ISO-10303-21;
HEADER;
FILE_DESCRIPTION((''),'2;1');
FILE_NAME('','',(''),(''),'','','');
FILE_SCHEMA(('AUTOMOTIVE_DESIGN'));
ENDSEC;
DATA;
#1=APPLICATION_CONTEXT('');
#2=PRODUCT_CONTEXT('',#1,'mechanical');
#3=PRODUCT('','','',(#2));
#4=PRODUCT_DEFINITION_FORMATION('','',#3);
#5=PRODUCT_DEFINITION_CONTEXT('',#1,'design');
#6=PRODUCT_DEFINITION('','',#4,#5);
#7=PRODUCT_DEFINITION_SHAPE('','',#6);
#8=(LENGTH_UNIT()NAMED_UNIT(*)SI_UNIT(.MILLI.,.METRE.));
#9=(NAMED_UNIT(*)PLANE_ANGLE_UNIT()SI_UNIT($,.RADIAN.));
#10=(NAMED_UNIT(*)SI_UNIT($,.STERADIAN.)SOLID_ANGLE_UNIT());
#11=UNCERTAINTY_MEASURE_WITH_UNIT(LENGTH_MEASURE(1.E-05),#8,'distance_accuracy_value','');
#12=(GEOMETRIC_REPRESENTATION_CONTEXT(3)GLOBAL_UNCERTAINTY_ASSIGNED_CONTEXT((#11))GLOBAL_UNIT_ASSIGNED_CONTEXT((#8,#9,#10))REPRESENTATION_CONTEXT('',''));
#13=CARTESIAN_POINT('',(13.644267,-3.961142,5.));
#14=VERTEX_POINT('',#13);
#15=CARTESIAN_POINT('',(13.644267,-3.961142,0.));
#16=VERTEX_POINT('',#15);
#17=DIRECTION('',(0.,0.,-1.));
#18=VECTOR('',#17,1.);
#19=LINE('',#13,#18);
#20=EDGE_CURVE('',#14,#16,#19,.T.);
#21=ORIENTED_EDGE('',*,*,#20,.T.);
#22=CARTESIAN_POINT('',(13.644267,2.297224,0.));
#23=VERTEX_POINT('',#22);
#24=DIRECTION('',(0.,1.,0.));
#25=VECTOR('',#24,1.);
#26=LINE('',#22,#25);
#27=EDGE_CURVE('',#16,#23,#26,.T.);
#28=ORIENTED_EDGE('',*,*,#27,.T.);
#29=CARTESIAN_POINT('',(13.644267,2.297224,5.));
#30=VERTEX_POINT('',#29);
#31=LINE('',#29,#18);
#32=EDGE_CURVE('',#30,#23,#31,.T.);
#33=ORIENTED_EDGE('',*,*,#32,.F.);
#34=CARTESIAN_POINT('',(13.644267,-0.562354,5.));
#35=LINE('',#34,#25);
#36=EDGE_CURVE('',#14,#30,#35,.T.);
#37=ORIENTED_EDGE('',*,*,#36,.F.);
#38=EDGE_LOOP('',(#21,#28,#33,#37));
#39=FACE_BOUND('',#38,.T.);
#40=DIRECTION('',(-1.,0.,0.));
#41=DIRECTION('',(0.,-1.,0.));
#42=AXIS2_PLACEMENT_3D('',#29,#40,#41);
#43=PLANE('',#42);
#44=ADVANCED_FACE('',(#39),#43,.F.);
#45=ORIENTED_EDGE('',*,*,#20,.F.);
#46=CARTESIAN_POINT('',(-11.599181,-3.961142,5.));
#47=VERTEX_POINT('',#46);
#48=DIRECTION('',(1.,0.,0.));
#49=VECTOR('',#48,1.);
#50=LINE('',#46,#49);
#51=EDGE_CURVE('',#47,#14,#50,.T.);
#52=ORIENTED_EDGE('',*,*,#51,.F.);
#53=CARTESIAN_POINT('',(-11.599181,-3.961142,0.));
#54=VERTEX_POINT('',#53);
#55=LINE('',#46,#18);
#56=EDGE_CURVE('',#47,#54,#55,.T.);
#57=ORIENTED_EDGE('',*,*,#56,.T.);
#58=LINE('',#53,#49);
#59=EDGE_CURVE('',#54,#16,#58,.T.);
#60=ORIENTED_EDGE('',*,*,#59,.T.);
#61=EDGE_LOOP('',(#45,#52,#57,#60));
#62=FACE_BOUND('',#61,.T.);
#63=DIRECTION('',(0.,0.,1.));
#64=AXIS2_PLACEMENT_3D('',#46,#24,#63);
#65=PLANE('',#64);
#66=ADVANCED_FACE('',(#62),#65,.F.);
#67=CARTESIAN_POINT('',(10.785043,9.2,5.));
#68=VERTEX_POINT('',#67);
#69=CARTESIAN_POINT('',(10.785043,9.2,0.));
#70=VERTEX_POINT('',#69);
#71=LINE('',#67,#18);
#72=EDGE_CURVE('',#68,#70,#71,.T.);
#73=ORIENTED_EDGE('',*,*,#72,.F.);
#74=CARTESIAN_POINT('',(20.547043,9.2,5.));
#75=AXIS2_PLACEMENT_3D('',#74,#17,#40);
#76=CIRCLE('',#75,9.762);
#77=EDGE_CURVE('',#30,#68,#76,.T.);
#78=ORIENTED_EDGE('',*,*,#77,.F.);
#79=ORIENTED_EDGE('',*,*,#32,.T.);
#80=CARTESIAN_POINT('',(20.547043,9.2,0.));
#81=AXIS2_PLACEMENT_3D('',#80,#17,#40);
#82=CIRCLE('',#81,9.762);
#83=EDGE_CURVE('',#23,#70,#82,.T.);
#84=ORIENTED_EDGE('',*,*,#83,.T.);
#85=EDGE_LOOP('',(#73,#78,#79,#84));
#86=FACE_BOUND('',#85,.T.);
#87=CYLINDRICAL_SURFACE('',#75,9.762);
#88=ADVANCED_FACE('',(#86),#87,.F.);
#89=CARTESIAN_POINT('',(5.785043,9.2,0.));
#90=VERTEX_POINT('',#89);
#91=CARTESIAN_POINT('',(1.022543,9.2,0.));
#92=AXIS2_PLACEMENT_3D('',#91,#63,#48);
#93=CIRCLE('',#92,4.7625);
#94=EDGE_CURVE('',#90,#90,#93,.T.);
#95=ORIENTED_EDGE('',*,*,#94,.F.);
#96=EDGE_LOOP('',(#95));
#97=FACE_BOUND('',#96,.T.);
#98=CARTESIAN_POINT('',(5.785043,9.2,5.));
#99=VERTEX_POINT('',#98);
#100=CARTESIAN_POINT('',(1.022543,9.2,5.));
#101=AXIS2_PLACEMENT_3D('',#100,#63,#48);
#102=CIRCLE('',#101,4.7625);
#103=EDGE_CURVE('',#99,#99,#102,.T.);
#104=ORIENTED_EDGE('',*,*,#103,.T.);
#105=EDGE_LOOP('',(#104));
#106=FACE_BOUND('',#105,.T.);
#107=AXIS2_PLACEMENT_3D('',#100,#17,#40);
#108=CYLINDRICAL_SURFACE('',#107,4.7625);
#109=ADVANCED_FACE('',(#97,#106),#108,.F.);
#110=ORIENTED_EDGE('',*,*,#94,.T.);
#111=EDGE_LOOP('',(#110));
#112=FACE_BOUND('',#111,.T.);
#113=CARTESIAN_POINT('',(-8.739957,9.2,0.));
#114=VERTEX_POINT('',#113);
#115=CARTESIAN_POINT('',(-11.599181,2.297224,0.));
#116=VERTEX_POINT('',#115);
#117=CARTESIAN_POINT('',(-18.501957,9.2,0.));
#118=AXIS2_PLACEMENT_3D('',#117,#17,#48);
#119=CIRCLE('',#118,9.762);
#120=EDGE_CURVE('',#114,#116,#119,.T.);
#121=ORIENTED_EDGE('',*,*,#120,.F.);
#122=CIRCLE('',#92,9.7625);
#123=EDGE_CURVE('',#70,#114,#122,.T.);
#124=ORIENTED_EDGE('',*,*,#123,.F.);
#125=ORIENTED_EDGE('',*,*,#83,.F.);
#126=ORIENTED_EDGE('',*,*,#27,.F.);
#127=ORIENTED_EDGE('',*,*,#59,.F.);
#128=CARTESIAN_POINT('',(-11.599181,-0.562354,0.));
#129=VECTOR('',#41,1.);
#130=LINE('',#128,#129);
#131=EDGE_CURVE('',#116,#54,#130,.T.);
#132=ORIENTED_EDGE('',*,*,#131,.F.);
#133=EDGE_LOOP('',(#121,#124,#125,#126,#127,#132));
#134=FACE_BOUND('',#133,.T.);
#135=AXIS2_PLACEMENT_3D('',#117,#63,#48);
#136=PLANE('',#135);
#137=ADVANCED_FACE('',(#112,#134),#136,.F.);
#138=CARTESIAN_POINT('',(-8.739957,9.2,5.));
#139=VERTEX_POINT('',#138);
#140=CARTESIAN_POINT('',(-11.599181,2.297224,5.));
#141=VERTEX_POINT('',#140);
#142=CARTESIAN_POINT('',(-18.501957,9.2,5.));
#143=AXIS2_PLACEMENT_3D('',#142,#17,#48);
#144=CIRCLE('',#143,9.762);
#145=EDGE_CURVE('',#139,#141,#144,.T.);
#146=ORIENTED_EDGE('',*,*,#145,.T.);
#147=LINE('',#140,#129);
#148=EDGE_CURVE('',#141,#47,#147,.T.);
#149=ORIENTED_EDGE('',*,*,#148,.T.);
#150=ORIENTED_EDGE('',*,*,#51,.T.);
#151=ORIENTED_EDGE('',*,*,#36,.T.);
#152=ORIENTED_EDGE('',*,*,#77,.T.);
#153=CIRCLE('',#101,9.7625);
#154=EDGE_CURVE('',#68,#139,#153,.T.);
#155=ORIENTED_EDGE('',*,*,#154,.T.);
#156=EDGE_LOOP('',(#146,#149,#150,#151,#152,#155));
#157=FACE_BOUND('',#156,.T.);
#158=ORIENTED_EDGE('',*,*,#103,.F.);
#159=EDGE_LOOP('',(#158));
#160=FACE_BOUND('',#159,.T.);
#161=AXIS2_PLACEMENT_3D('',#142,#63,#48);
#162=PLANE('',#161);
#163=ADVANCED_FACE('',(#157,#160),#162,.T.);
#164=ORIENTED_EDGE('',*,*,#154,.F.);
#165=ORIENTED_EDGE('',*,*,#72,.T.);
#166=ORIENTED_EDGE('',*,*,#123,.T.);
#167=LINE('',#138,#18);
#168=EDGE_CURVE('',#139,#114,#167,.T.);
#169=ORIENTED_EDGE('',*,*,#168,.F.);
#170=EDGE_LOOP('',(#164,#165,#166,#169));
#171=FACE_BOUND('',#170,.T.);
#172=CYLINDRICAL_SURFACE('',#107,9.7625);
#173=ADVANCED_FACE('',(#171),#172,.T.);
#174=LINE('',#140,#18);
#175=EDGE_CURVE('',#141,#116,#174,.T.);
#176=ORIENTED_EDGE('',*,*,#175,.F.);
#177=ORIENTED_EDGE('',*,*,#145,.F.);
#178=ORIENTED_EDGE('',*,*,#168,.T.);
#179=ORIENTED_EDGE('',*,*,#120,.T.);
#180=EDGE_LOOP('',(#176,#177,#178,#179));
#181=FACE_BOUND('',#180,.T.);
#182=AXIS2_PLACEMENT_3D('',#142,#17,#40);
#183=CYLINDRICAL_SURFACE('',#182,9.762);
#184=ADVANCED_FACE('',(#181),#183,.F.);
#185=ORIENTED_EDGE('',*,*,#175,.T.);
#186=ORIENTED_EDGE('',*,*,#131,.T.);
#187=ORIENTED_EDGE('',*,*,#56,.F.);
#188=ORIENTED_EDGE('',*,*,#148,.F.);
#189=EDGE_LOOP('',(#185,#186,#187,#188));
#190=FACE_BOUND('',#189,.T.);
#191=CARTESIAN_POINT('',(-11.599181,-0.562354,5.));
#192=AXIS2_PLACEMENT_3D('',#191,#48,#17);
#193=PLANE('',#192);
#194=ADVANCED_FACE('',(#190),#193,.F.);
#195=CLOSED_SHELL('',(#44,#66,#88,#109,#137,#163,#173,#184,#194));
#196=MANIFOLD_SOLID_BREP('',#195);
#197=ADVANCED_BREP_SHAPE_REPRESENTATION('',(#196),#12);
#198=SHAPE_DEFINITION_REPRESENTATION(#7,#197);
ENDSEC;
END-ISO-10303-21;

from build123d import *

# Parameters (mm, degrees)
SKETCH1_R           = 4.7625
BOSS_EXTRUDE1_DEPTH = 5


with BuildPart() as part:
    # Sketch1 → Boss-Extrude1 (new body)
    with BuildSketch(Plane.XY):
        with BuildLine():
            Line((-11.599180508, 2.297223602), (-11.599180508, -0.562353553))
            Line((-11.599180508, -0.562353553), (-11.599180508, -3.961142474))
            Line((-11.599180508, -3.961142474), (13.644266696, -3.961142474))
            Line((13.644266696, -3.961142474), (13.644266696, -0.562353553))
            Line((13.644266696, -0.562353553), (13.644266696, 2.297223602))
            ThreePointArc((13.644266696, 2.297223602), (11.528131098, 5.464244333), (10.785043094, 9.2))
            ThreePointArc((10.785043094, 9.2), (1.022543094, 18.9625), (-8.739956906, 9.2))
            ThreePointArc((-8.739956906, 9.2), (-9.48304491, 5.464244333), (-11.599180508, 2.297223602))
        make_face()
        with Locations((1.022543094, 9.2)):
            Circle(SKETCH1_R, mode=Mode.SUBTRACT)
    extrude(amount=BOSS_EXTRUDE1_DEPTH)


solid = part.part
